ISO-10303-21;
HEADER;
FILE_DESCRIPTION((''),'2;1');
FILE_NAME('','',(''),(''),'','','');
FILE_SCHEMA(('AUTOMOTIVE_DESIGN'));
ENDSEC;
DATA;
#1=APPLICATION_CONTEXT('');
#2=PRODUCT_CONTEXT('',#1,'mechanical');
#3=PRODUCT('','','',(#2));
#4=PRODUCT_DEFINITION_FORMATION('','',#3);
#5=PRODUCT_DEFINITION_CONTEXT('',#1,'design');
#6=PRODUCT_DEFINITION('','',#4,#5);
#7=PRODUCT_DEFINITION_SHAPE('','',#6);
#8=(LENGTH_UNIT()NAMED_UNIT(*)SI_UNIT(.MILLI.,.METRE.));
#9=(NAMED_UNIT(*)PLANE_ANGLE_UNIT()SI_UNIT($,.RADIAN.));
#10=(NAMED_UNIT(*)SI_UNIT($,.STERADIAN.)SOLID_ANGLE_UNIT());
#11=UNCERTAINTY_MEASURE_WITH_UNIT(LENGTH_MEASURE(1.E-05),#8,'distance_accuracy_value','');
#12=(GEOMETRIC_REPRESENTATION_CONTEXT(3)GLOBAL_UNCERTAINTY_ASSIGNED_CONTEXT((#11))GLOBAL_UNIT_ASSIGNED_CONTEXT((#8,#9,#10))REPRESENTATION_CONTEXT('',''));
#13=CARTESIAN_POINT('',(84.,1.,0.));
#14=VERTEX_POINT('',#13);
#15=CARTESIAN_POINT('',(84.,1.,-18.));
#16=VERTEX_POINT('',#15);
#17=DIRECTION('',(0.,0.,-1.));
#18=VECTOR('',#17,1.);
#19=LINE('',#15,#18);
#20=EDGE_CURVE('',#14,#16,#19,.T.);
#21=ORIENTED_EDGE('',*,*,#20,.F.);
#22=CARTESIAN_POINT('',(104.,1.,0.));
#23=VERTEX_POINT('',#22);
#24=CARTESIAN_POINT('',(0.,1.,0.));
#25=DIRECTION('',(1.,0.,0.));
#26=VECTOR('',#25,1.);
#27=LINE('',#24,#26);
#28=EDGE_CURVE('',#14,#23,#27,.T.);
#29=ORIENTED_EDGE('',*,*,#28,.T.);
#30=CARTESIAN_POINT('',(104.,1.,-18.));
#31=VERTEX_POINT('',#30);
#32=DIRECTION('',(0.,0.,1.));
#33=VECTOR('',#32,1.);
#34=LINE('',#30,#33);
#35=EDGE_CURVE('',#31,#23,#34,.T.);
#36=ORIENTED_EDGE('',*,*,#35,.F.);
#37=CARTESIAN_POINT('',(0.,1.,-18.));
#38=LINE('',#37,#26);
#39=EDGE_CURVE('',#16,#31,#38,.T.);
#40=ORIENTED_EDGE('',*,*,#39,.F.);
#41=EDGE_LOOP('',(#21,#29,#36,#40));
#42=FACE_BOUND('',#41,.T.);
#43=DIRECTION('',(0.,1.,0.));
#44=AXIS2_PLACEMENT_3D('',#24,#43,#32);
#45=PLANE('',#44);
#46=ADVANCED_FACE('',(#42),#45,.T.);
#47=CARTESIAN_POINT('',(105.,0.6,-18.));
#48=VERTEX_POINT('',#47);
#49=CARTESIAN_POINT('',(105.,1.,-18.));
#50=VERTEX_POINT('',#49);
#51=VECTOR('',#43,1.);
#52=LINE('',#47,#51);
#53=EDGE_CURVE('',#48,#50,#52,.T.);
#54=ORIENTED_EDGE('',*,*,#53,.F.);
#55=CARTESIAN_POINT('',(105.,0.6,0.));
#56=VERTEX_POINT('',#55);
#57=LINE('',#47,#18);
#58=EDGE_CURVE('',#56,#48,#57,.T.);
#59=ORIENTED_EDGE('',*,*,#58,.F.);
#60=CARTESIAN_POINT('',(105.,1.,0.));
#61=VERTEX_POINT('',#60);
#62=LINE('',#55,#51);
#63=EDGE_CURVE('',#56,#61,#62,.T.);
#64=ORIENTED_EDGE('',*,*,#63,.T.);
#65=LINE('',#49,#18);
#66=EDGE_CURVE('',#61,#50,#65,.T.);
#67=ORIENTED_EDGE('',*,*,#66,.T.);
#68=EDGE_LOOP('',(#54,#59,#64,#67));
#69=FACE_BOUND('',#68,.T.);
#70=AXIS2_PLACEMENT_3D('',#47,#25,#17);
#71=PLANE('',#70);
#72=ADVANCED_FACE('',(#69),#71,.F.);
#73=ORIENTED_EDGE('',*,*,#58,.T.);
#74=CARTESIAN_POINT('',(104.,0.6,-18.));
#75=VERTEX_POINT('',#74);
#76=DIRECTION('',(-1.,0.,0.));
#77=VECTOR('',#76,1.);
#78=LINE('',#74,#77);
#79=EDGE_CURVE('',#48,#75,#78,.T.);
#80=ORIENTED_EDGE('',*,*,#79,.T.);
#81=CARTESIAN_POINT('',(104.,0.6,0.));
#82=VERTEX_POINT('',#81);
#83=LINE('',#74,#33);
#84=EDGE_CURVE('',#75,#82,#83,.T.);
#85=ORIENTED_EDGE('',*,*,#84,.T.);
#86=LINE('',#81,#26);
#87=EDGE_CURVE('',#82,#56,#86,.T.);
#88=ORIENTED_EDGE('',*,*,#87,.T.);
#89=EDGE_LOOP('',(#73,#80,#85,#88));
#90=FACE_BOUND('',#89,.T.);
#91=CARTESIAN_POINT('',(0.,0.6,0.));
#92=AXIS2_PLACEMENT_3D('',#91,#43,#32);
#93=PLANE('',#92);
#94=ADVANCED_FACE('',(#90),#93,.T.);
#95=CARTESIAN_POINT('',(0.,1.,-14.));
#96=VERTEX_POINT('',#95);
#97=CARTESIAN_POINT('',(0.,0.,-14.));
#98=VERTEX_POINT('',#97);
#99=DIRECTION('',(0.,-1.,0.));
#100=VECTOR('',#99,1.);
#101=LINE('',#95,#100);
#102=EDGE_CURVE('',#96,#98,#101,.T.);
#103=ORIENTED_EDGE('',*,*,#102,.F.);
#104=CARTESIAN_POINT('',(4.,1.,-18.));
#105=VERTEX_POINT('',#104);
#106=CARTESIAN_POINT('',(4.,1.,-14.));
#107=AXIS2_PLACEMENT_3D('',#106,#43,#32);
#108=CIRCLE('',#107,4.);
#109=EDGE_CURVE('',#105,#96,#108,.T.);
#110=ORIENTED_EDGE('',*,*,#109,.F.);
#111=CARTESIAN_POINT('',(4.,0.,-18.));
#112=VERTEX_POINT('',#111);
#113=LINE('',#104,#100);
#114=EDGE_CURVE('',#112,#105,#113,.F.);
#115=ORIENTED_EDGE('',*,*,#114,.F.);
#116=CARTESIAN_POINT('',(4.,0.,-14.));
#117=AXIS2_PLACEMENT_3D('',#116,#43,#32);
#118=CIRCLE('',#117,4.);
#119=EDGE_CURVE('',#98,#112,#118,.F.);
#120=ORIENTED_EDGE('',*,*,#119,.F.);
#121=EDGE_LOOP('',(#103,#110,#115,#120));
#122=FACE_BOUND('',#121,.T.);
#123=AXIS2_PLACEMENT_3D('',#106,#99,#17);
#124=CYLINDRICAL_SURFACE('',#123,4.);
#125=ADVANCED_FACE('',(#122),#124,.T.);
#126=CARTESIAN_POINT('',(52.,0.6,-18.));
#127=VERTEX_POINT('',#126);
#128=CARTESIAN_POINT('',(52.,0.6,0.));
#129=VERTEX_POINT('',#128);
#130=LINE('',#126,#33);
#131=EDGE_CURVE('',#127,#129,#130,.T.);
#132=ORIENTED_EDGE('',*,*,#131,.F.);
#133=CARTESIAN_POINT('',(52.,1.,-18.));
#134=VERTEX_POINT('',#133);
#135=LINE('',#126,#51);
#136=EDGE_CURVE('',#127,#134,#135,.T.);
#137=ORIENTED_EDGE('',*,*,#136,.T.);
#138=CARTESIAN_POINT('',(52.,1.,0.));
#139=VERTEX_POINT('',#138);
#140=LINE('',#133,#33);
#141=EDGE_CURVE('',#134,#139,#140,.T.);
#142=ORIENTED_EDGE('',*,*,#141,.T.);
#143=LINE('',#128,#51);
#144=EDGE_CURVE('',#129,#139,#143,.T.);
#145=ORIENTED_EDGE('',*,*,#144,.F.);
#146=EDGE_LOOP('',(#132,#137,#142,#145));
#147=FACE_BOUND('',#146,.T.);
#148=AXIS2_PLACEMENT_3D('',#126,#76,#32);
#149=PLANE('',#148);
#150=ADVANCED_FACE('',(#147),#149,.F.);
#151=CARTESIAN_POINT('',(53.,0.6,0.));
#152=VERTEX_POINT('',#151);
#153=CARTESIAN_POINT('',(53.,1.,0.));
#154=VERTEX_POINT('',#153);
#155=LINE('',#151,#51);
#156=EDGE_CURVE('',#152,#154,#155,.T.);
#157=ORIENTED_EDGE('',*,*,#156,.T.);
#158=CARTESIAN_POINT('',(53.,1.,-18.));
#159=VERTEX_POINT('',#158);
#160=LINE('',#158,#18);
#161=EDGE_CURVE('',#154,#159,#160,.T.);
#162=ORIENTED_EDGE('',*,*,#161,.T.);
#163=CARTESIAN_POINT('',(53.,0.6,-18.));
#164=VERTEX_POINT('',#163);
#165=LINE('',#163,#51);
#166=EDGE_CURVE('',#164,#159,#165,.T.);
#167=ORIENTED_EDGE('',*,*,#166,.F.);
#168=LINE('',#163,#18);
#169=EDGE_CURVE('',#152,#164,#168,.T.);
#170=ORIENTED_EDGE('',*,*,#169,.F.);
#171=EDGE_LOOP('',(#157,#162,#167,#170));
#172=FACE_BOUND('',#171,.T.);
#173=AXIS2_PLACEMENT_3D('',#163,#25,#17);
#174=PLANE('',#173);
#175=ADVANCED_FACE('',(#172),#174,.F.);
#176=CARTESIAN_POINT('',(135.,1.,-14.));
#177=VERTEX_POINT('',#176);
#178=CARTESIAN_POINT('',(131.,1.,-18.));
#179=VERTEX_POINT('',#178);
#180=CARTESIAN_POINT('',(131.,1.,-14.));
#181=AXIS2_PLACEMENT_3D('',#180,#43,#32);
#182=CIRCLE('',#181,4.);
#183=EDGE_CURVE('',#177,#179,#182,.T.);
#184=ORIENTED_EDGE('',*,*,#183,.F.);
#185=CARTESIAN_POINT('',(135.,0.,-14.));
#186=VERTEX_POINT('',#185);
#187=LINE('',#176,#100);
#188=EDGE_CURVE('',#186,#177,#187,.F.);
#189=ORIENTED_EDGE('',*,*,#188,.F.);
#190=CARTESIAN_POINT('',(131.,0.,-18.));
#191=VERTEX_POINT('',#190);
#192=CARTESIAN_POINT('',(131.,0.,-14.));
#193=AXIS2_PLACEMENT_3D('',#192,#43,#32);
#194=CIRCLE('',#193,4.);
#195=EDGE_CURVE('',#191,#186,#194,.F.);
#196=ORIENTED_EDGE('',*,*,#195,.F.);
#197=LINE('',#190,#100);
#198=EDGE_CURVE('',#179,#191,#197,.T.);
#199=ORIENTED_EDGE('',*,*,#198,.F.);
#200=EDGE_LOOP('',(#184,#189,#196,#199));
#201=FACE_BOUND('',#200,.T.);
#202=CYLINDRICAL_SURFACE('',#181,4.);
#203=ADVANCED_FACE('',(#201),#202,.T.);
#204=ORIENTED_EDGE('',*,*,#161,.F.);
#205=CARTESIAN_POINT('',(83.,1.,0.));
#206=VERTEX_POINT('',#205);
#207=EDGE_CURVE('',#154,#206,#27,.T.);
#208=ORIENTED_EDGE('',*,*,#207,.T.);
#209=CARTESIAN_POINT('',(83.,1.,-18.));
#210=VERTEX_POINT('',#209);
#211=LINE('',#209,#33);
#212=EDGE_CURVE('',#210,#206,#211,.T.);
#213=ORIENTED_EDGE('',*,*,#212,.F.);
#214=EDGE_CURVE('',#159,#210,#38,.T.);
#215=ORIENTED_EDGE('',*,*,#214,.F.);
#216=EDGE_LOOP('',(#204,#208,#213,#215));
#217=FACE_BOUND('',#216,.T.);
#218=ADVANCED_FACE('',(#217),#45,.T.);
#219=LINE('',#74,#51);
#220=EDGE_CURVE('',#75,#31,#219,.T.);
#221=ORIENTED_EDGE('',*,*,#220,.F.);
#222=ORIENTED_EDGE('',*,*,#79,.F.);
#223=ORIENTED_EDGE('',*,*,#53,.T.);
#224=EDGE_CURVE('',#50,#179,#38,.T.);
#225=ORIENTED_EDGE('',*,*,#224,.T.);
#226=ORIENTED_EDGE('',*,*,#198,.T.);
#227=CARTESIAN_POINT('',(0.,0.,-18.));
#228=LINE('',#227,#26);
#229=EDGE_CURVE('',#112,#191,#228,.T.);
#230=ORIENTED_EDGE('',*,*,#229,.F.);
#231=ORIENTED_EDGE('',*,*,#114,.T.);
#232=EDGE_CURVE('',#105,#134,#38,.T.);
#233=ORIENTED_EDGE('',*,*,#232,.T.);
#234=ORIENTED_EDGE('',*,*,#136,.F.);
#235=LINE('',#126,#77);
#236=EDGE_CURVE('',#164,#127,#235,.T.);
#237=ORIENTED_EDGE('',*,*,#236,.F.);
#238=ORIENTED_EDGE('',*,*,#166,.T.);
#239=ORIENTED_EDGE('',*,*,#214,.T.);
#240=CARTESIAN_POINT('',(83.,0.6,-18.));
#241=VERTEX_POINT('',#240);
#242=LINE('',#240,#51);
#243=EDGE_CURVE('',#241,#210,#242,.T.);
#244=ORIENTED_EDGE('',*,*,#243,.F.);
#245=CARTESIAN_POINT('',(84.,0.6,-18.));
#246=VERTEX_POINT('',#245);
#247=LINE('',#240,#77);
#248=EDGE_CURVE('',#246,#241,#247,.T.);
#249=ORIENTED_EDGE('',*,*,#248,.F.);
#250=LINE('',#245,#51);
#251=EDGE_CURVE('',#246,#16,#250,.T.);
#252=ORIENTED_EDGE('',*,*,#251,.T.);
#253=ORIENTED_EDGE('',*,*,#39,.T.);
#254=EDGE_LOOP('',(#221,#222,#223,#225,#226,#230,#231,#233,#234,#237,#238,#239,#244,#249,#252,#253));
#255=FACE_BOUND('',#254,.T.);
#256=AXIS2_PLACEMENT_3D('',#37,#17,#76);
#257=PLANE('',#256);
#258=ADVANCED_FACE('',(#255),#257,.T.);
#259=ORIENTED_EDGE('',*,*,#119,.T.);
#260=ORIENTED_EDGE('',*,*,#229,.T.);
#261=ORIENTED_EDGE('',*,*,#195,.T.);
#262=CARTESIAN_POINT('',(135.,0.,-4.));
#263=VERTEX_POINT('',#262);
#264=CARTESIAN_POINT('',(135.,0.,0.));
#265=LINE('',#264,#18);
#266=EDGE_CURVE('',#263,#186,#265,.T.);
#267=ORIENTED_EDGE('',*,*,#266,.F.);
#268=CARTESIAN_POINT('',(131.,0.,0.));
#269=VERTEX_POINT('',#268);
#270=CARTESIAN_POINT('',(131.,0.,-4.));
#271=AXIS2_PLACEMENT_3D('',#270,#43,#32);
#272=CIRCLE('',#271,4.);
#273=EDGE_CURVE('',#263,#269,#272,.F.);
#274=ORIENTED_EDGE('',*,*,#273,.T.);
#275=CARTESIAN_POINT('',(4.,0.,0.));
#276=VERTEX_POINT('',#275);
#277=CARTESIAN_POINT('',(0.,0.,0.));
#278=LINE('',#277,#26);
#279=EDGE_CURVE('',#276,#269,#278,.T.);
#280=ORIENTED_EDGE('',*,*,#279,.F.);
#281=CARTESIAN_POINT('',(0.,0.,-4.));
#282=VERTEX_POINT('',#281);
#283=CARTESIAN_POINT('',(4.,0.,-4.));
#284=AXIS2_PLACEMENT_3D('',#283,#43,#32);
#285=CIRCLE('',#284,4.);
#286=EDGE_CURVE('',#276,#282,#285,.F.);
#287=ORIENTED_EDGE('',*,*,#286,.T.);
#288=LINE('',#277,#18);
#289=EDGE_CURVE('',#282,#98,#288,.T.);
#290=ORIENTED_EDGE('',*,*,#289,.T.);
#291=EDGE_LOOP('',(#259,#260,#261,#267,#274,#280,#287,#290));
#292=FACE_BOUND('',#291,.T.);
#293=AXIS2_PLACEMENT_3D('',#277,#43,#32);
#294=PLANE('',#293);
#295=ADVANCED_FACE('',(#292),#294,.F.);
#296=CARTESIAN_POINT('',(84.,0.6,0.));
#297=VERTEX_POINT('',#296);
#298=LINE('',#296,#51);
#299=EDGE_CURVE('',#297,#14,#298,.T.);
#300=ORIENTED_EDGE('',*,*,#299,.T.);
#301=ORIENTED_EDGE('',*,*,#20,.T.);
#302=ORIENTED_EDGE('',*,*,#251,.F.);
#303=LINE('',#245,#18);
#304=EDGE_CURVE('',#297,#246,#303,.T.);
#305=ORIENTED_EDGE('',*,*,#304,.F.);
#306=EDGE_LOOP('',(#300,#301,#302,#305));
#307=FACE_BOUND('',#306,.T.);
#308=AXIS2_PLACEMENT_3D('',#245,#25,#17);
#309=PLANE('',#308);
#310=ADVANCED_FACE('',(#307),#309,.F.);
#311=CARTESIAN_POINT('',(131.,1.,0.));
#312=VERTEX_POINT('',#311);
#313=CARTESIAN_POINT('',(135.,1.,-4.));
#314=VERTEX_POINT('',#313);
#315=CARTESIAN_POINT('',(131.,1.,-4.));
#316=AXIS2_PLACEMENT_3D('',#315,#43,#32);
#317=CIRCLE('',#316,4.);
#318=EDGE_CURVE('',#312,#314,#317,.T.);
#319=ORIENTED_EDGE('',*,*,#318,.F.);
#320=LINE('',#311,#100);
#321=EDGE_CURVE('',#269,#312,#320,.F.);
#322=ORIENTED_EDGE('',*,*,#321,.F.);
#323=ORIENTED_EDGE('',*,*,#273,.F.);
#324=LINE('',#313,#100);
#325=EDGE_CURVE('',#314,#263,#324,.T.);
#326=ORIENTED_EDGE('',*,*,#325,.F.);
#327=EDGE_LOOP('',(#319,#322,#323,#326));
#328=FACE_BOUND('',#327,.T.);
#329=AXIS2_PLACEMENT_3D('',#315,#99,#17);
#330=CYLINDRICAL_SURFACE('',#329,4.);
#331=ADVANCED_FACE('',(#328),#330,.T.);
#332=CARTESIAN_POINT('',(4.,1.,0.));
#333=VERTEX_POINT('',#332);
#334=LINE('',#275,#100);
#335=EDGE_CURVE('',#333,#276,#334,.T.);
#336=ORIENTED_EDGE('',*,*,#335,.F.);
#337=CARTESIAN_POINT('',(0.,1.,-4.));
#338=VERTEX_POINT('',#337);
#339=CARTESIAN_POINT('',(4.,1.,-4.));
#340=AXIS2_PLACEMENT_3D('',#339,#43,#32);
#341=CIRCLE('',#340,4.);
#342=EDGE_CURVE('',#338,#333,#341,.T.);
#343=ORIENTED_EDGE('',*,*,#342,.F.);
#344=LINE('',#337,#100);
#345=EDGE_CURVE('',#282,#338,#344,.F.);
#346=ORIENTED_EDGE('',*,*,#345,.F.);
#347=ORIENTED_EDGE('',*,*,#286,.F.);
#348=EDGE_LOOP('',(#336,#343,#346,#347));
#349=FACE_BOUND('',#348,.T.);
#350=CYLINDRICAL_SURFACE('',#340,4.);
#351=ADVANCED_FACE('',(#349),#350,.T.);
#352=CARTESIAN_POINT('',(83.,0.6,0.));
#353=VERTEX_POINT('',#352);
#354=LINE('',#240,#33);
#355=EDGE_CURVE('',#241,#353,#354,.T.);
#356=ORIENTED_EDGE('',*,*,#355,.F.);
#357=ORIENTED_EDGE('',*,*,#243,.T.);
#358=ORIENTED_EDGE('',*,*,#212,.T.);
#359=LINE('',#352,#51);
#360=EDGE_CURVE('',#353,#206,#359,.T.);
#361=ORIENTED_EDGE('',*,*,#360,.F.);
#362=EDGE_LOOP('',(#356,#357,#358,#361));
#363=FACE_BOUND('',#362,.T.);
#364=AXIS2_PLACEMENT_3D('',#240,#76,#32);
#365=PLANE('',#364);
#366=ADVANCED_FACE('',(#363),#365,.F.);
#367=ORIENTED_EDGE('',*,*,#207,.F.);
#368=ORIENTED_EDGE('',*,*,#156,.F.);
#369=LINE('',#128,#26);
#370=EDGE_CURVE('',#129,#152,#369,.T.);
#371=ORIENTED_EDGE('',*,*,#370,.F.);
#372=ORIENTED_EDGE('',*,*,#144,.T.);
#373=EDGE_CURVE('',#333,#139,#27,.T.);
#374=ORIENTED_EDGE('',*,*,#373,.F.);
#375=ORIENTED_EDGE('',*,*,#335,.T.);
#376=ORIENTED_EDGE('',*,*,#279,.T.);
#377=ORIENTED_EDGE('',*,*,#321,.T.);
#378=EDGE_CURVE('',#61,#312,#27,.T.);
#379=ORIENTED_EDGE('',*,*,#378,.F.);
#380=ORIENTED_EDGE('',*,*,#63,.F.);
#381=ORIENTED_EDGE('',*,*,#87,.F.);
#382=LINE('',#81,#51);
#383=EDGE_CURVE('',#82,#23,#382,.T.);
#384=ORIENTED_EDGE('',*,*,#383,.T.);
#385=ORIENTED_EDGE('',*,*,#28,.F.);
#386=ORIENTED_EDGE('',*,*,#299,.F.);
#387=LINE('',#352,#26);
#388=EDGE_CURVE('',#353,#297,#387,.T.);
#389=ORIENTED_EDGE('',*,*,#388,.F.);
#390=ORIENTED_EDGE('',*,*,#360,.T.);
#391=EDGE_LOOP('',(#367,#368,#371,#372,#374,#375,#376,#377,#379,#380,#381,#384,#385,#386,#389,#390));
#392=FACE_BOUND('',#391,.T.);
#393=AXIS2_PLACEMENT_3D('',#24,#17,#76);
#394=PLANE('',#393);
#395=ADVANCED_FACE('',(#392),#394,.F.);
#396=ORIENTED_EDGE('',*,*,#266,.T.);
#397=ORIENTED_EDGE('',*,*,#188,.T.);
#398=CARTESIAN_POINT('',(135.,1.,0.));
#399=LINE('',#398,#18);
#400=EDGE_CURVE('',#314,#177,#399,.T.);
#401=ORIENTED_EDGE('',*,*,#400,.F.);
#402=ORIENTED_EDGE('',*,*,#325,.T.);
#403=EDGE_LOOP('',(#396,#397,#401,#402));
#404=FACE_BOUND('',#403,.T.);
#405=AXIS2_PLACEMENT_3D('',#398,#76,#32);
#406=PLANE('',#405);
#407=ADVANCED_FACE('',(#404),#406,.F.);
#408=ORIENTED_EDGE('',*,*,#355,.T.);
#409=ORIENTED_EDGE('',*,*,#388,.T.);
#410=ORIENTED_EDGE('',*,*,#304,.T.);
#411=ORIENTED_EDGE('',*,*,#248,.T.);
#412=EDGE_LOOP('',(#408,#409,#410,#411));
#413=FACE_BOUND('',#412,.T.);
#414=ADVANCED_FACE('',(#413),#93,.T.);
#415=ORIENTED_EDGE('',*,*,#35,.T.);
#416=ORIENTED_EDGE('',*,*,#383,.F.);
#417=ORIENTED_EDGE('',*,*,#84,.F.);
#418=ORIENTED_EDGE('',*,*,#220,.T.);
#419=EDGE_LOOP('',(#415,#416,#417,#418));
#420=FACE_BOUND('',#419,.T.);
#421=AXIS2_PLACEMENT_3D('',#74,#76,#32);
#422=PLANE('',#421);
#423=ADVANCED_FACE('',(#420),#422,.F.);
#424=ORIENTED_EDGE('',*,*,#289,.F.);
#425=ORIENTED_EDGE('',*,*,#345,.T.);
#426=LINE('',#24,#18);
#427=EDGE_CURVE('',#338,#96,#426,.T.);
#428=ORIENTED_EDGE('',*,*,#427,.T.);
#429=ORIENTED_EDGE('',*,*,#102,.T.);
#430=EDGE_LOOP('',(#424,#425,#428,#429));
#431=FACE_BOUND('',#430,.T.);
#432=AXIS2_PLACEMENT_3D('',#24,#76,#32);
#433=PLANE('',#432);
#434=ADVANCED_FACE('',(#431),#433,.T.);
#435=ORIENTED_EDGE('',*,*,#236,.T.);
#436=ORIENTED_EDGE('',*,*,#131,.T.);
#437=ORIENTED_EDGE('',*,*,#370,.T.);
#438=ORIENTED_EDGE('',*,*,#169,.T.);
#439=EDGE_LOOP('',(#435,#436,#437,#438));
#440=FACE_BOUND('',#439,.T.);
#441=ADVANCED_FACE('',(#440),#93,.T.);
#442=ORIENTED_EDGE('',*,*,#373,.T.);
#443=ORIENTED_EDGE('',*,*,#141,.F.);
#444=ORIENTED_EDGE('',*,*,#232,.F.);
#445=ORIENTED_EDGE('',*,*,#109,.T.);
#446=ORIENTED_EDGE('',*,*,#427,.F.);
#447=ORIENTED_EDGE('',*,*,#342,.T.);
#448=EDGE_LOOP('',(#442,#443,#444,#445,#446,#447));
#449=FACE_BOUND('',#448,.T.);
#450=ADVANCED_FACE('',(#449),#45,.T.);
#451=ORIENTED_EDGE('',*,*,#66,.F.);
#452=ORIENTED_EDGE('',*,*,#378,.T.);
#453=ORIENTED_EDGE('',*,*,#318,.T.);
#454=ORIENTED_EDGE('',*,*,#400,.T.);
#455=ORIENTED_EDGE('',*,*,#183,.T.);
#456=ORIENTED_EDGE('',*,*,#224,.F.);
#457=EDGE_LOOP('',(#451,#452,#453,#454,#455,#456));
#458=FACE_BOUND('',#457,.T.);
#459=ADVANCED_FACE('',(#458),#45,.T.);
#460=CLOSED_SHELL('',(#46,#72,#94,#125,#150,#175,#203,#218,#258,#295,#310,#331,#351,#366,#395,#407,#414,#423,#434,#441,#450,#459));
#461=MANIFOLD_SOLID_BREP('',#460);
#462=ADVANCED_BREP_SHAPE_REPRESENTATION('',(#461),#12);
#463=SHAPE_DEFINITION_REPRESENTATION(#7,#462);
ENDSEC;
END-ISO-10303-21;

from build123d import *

# Parameters (mm, degrees)
SKETCH1_W           = 135
SKETCH1_H           = 18
BOSS_EXTRUDE1_DEPTH = 1
SKETCH2_W           = 1
SKETCH2_H           = 18
CUT_EXTRUDE1_DEPTH  = 0.4
FILLET1_R           = 4


with BuildPart() as part:
    # Sketch1 → Boss-Extrude1 (new body)
    with BuildSketch(Plane(origin=(0, 0, 0), x_dir=(1, 0, 0), z_dir=(0, 1, 0))):
        with Locations((67.5, 9)):
            Rectangle(SKETCH1_W, SKETCH1_H)
    extrude(amount=BOSS_EXTRUDE1_DEPTH)

    # Sketch2 → Cut-Extrude1 (cut)
    with BuildSketch(Plane(origin=(0, 1, 0), x_dir=(1, 0, 0), z_dir=(0, 1, 0))):
        with Locations((52.5, 9)):
            Rectangle(SKETCH2_W, SKETCH2_H)
        with Locations((83.5, 9)):
            Rectangle(SKETCH2_W, SKETCH2_H)
        with Locations((104.5, 9)):
            Rectangle(SKETCH2_W, SKETCH2_H)
    extrude(amount=-CUT_EXTRUDE1_DEPTH, mode=Mode.SUBTRACT)

    # Fillet1
    fillet1_edges = [part.edges().sort_by_distance(p)[0] for p in [
        (0, 0.5, 0),
        (0, 0.5, -18),
        (135, 0.5, -18),
        (135, 0.5, 0),
    ]]
    fillet(fillet1_edges, radius=FILLET1_R)


solid = part.part
